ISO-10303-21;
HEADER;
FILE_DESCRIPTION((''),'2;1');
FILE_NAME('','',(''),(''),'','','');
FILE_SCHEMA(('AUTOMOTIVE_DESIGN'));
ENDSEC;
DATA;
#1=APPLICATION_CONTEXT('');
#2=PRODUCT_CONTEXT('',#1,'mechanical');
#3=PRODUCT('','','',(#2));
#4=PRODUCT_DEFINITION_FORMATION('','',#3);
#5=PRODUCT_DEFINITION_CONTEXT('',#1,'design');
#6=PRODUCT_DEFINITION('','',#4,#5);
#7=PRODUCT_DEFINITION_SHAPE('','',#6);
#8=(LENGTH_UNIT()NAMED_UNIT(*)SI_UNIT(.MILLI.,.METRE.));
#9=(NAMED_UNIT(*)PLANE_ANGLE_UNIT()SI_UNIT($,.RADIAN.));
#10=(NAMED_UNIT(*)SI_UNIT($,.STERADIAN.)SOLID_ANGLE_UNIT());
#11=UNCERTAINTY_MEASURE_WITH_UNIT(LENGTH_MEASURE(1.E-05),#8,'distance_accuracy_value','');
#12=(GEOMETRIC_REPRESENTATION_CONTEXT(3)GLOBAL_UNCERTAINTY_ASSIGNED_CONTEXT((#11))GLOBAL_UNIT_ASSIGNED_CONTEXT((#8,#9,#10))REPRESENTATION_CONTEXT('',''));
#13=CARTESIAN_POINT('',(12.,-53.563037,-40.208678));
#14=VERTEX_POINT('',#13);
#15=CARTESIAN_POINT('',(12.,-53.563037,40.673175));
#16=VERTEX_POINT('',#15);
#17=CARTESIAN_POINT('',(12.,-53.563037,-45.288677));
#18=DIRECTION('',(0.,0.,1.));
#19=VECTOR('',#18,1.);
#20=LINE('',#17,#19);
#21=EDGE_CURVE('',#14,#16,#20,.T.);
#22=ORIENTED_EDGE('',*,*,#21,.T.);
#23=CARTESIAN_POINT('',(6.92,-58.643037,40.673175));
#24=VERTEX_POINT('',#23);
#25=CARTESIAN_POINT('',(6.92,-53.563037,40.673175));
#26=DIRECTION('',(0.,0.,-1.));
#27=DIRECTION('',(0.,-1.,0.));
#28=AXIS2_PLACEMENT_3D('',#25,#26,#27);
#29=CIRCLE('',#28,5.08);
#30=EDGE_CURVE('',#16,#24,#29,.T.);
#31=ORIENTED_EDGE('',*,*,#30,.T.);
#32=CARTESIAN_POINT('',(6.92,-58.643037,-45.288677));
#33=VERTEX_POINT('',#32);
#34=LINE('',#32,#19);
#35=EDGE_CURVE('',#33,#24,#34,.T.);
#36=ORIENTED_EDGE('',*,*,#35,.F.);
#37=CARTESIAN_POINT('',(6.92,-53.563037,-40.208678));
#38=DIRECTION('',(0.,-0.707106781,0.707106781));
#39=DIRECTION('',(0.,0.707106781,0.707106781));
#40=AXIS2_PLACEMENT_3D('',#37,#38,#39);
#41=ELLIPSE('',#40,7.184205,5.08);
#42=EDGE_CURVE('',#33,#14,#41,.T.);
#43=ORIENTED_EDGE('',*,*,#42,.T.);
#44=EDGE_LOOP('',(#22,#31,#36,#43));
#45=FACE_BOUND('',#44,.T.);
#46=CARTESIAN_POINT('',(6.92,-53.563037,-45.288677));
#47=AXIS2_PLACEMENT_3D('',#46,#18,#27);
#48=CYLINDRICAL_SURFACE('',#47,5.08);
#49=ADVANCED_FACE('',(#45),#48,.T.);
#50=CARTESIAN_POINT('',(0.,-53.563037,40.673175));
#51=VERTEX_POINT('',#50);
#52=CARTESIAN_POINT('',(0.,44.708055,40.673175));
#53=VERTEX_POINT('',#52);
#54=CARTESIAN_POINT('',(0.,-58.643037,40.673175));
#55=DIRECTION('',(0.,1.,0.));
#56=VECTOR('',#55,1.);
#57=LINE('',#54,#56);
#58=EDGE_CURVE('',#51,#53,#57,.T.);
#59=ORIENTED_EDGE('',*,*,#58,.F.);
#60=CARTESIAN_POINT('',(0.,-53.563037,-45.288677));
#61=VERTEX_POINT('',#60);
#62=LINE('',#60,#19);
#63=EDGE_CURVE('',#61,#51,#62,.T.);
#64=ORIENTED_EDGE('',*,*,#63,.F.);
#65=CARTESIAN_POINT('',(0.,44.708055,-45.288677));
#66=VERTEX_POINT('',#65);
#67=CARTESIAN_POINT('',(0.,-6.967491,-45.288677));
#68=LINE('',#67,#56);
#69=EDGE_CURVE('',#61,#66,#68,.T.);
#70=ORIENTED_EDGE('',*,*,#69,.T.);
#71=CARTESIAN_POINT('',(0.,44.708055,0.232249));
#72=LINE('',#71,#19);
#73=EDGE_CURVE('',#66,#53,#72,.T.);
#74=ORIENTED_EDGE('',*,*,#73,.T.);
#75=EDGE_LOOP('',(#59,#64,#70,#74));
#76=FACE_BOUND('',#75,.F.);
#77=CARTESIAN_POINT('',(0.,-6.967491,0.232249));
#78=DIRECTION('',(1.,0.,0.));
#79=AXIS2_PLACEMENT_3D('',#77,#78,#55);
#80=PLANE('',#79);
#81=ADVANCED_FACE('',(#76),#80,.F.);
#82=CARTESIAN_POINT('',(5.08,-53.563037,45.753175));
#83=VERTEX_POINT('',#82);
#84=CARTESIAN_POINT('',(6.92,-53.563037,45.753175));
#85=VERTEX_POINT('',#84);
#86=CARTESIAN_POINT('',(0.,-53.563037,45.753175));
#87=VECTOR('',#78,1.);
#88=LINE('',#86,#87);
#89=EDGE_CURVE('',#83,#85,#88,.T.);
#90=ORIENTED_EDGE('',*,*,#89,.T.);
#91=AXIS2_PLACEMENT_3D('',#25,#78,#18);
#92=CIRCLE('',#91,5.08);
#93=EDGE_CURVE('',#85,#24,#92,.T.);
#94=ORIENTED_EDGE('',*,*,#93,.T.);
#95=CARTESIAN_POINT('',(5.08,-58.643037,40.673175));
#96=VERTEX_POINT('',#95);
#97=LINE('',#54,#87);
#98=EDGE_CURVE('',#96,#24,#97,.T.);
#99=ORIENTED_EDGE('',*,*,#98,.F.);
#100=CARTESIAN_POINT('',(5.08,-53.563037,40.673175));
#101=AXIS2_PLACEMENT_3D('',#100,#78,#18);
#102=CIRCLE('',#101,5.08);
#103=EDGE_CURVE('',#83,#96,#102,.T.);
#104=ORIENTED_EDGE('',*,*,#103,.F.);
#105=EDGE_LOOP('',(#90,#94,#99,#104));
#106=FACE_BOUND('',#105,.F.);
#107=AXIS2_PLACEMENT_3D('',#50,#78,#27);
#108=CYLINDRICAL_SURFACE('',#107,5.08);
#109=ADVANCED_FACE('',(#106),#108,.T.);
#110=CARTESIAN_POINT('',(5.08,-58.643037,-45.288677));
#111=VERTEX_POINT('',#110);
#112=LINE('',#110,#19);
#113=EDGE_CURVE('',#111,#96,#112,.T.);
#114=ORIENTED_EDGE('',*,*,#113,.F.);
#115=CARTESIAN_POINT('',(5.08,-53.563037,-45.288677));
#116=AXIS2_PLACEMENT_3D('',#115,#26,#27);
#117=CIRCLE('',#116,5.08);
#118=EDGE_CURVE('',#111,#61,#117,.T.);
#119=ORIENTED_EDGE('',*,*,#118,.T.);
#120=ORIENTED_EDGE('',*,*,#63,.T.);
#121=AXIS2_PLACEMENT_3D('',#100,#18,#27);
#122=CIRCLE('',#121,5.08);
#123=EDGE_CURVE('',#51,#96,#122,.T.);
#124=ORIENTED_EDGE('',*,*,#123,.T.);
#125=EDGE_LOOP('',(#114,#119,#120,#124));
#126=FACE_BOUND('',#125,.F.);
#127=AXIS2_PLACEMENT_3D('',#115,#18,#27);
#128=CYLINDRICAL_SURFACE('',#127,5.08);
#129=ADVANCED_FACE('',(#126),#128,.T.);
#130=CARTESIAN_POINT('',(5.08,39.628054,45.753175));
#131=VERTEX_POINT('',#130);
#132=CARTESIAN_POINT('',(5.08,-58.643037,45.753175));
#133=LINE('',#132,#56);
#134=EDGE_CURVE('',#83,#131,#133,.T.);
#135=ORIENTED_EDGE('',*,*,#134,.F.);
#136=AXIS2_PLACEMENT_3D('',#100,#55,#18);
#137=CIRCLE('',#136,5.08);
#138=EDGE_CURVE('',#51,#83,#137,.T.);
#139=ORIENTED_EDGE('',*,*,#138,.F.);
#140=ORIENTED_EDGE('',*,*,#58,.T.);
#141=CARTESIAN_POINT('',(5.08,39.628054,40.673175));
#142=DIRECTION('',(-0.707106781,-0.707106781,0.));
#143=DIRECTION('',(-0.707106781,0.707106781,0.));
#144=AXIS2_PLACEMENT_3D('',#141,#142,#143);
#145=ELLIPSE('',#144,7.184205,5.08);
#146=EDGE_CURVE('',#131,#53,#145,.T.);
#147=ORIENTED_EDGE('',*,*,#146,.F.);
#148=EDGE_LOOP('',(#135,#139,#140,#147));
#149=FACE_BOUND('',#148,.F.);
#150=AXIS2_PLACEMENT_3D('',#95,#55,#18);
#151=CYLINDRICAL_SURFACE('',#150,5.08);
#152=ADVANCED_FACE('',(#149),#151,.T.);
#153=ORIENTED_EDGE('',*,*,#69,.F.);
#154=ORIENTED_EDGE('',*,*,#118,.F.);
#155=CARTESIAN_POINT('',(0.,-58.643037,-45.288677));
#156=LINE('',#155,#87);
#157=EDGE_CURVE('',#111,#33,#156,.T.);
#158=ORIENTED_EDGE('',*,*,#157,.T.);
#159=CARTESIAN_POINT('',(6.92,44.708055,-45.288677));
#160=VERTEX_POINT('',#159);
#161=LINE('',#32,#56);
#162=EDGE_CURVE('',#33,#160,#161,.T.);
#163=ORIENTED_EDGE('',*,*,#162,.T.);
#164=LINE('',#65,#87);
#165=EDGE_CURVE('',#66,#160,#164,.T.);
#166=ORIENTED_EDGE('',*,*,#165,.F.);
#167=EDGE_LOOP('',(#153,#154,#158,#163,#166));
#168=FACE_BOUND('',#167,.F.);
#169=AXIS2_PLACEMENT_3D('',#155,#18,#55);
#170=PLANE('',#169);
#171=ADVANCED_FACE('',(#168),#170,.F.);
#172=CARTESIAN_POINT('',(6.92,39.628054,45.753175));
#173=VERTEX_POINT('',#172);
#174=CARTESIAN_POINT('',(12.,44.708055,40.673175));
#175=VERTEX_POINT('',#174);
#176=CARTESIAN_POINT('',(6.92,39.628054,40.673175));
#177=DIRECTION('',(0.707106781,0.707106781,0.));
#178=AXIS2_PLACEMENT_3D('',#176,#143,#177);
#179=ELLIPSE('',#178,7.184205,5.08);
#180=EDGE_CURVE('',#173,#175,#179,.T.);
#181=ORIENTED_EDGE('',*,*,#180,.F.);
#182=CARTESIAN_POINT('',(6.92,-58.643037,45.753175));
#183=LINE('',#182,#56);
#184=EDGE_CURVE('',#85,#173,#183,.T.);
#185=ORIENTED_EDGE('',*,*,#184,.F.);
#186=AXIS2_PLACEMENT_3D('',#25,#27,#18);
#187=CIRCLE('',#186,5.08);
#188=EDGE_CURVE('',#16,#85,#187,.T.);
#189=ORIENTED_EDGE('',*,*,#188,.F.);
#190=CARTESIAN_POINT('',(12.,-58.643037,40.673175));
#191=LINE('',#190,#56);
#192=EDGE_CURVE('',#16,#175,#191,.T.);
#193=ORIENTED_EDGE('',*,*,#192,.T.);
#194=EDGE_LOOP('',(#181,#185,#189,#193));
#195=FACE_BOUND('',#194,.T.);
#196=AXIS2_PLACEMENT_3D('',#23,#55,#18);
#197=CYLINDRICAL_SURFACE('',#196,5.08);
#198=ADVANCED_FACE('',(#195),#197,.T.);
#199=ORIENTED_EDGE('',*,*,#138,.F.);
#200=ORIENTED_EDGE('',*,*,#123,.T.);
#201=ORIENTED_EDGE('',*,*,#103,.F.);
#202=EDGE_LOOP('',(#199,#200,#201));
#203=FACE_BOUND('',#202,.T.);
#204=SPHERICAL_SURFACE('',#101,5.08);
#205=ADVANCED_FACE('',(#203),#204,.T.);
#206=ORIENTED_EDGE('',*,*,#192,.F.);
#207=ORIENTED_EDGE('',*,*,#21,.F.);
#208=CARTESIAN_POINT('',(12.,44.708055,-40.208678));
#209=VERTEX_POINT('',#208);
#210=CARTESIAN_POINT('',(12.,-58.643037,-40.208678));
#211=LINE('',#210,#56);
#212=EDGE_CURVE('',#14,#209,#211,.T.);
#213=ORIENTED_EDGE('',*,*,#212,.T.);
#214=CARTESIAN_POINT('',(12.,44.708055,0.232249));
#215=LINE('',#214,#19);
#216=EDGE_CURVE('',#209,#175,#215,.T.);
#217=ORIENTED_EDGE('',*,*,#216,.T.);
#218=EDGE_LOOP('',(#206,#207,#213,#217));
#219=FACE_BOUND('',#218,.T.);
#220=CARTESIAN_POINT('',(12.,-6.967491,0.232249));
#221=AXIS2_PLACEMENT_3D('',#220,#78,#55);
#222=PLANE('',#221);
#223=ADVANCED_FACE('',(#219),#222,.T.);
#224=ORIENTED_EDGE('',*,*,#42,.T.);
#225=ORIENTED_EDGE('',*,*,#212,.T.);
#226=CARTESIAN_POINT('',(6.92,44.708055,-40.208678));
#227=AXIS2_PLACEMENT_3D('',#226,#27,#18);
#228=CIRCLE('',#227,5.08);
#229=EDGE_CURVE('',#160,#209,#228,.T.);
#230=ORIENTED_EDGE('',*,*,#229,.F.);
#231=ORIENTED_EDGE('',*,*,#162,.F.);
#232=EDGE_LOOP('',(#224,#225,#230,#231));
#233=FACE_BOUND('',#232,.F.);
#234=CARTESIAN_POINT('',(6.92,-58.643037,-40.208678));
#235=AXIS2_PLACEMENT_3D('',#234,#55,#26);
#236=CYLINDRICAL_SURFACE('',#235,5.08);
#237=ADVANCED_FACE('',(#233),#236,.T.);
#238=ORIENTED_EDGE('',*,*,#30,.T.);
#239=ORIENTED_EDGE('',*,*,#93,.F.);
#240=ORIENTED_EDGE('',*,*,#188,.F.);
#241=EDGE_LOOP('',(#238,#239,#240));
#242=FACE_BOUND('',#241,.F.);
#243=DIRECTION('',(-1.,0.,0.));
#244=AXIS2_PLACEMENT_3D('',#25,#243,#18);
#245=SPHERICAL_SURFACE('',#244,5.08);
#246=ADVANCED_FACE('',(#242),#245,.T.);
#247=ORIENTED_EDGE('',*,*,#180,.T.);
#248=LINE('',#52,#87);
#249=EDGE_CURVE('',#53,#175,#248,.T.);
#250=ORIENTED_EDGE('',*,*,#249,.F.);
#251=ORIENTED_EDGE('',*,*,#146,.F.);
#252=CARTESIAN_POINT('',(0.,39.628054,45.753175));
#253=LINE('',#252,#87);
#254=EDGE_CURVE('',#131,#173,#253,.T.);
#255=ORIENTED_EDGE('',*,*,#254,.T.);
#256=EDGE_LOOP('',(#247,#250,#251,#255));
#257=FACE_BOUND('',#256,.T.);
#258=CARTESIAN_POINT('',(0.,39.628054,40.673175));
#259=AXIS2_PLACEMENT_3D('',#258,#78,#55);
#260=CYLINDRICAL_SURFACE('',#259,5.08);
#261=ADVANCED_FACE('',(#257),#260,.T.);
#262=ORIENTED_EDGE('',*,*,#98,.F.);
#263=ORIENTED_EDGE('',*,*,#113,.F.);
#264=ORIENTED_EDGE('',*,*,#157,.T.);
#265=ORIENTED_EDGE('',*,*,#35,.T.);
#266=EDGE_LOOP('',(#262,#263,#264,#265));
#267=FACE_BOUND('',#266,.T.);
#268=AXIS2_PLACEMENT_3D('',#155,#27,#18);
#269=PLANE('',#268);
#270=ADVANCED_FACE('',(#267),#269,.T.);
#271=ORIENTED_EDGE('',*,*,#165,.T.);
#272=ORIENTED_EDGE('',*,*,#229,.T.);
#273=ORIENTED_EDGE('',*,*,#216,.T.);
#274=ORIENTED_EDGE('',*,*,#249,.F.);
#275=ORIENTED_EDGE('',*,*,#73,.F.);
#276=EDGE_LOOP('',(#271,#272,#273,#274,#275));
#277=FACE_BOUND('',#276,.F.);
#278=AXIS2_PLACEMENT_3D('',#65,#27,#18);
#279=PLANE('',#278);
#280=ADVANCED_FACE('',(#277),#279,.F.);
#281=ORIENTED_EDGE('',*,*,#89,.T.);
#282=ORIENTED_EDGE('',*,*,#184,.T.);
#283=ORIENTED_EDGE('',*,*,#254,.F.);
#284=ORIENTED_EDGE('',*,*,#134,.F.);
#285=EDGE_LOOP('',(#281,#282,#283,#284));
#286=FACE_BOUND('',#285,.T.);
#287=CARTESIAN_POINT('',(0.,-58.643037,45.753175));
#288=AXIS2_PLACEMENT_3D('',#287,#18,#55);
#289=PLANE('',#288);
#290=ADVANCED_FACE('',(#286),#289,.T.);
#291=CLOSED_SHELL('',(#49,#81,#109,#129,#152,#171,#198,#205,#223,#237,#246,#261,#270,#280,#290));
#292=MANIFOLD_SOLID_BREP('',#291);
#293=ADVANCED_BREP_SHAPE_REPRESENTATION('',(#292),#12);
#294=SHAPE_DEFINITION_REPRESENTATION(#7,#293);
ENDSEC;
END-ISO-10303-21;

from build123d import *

# Parameters (mm, degrees)
F0_W     = 103.351091
F0_H     = 91.041853
F1_DEPTH = 12
F2_R     = 5.08


with BuildPart() as f1:
    # F0 (on Right) → F1 (new body)
    with BuildSketch(Plane.YZ):
        with Locations((-6.967491, 0.232249)):
            Rectangle(F0_W, F0_H)
    extrude(amount=F1_DEPTH)

    # F2
    f2_edges = [f1.edges().sort_by_distance(p)[0] for p in [
        (6, -58.643036, 45.753175),
        (12, -6.967491, 45.753175),
        (0, -6.967491, 45.753175),
        (6, 44.708055, 45.753175),
        (12, -58.643036, 0.232249),
        (0, -58.643036, 0.232249),
        (12, -6.967491, -45.288678),
    ]]
    fillet(f2_edges, radius=F2_R)


solid = f1.part
